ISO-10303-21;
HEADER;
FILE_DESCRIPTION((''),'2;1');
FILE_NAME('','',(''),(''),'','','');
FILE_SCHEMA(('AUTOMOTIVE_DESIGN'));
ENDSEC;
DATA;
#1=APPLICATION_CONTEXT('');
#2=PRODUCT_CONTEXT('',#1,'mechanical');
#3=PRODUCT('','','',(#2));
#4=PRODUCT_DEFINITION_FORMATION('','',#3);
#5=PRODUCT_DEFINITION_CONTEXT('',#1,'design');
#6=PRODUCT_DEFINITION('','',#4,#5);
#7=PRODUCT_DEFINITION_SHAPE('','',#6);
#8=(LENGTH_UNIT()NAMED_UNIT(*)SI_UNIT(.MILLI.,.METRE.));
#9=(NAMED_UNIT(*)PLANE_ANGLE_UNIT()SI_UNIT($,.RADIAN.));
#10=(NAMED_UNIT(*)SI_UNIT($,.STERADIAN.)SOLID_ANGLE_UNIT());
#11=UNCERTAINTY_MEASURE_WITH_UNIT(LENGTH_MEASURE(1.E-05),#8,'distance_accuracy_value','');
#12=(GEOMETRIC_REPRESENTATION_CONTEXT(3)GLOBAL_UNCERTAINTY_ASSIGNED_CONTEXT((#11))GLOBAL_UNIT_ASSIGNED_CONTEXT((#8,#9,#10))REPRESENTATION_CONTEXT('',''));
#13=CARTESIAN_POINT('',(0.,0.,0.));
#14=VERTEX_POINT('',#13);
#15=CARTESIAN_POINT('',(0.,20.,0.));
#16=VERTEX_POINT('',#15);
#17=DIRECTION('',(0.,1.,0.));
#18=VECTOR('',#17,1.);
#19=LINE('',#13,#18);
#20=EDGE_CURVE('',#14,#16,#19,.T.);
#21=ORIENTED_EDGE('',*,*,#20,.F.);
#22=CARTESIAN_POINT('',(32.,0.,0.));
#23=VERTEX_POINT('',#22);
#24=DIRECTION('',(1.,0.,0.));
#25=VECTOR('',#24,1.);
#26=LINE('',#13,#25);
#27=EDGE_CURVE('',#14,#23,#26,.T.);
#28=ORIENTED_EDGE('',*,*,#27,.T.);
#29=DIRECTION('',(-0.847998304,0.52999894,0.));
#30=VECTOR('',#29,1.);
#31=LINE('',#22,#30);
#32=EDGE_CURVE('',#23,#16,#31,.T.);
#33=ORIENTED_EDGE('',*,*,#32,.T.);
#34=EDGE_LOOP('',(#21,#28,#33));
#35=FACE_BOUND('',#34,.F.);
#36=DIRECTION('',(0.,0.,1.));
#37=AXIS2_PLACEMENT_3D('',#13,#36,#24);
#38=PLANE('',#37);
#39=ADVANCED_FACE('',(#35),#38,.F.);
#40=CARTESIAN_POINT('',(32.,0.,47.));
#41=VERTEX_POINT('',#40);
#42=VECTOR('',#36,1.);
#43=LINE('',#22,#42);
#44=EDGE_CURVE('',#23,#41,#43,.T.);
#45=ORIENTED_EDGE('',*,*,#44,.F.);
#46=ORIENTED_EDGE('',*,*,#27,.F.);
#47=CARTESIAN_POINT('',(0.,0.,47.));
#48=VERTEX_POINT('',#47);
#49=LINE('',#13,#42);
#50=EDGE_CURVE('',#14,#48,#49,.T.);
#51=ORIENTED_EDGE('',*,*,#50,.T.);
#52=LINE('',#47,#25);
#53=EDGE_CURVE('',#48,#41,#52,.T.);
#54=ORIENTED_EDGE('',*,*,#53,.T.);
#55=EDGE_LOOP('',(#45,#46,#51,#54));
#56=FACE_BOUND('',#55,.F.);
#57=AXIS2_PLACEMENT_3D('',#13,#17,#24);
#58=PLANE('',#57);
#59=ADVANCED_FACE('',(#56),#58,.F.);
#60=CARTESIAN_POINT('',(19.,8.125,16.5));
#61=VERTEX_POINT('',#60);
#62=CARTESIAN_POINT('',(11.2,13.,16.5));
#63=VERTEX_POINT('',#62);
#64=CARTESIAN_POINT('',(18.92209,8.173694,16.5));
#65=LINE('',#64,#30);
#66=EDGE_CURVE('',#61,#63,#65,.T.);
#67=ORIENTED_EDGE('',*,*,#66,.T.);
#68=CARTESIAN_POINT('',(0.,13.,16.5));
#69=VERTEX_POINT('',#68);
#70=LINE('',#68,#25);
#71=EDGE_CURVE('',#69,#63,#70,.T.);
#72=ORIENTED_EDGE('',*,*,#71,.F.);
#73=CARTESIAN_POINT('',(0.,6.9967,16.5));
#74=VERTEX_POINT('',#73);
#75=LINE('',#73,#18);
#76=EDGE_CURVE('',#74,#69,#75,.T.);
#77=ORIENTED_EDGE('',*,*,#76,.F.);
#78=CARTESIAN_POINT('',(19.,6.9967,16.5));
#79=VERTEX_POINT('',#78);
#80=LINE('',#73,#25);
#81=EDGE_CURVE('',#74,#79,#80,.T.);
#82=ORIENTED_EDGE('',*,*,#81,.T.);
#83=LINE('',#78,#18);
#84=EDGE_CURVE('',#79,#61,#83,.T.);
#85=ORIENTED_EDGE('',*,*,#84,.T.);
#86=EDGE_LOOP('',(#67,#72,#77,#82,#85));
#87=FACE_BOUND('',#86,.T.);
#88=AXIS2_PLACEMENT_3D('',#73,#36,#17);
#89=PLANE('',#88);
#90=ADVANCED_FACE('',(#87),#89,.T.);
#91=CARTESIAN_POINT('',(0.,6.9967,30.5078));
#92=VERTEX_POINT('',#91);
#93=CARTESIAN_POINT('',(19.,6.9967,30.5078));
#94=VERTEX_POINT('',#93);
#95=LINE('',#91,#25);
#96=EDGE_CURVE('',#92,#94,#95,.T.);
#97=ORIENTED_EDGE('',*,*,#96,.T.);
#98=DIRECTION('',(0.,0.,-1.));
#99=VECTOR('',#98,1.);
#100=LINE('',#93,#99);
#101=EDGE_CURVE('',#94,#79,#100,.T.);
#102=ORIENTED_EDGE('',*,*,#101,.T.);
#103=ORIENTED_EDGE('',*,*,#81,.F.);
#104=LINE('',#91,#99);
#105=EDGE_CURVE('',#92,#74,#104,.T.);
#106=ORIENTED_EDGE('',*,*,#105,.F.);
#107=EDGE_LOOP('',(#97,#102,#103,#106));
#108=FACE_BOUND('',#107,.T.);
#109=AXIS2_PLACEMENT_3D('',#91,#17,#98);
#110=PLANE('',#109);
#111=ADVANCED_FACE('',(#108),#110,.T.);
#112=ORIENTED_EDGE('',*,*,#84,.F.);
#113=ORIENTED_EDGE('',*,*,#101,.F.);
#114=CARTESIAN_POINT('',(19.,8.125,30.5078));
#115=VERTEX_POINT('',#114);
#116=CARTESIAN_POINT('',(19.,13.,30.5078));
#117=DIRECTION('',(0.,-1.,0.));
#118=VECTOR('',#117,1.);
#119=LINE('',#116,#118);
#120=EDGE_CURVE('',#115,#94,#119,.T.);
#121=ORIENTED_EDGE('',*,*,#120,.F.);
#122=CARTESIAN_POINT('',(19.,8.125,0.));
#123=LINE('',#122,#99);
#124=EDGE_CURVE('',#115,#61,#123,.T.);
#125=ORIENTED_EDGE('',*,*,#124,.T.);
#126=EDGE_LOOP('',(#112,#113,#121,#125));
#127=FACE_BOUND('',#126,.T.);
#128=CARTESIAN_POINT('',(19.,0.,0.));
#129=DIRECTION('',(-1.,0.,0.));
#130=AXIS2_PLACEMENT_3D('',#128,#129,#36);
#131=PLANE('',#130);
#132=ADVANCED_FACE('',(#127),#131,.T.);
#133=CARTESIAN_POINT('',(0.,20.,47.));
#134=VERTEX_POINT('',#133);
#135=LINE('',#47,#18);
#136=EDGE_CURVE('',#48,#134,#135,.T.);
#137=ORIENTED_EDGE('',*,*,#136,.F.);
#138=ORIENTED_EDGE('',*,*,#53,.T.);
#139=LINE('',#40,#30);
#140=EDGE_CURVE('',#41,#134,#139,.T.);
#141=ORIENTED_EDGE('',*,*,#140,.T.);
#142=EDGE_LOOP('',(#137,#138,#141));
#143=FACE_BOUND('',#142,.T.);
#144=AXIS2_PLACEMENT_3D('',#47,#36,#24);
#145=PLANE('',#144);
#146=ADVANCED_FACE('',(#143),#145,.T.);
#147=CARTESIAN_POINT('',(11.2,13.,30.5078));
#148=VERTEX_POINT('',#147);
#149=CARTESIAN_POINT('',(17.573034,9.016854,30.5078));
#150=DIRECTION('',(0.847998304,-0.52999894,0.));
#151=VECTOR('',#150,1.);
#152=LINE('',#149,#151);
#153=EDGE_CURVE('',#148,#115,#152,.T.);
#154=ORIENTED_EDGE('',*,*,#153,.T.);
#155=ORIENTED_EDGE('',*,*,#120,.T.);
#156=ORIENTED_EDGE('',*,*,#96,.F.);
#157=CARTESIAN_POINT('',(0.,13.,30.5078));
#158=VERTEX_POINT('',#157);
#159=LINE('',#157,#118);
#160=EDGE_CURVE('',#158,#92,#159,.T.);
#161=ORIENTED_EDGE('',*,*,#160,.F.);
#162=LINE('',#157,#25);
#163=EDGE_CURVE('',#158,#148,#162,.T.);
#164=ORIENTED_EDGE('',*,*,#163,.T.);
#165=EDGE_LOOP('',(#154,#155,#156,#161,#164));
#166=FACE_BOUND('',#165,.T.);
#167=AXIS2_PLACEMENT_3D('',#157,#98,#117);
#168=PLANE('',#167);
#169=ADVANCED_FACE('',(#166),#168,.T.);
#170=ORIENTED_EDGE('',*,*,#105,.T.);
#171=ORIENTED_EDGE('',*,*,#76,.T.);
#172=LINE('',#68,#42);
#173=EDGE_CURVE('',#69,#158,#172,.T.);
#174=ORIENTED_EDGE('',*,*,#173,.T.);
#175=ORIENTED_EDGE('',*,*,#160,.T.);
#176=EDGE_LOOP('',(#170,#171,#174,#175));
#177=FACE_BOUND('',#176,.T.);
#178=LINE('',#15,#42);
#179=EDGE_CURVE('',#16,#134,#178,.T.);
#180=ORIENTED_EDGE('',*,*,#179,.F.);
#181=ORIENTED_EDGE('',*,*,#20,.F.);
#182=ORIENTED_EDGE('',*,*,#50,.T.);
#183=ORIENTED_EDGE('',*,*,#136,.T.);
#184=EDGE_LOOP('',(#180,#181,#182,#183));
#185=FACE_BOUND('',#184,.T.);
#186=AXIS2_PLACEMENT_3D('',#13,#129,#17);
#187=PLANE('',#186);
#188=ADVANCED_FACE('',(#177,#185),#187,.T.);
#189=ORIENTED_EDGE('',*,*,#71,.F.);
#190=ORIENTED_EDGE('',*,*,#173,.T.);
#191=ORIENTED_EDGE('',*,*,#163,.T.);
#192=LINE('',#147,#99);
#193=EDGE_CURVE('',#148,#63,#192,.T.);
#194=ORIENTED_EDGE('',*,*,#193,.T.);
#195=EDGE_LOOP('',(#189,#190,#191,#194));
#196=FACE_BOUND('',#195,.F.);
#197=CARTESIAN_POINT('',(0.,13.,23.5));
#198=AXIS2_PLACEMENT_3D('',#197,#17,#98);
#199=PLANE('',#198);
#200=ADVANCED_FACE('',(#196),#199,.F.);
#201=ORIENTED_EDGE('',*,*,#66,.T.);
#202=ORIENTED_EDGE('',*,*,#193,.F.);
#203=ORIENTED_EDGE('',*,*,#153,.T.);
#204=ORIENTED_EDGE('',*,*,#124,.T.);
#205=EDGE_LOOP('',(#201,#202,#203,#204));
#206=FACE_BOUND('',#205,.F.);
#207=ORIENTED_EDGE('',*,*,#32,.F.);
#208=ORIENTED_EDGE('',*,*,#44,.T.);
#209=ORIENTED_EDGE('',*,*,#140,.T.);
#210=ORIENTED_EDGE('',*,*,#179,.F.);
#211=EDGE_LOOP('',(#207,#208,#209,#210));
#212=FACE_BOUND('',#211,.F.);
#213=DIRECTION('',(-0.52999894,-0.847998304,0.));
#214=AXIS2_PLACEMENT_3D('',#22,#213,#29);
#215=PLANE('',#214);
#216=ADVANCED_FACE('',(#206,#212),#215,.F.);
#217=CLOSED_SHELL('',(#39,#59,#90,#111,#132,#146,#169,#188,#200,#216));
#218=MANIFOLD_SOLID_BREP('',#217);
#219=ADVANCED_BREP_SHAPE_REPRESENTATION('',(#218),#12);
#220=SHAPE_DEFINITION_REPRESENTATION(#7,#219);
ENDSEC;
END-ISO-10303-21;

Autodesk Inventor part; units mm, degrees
ref_plane "YZ Plane" through (0, 0, 0) normal (1, 0, 0) x (0, 1, 0)
ref_plane "XZ Plane" through (0, 0, 0) normal (0, 1, 0) x (-1, 0, 0)
ref_plane "XY Plane" through (0, 0, 0) normal (0, 0, 1) x (1, 0, 0)
sketch "Sketch1" plane through (0, 0, 0) normal (0, 0, 1) x (1, 0, 0)
  line L0 (0, 0) -> (0, 20)
  line L1 (0, 0) -> (32, 0)
  line L2 (32, 0) -> (0, 20)
  dimension "d0" = 20
  dimension "d1" = 32
extrude "Extrusion1" add sketch "Sketch1" along normal blind 47
sketch "Sketch2" plane through (0, 0, 0) normal (-1, 0, 0) x (0, 0, 1)
  line L0 (0, 0) -> (47, 0) projected
  line L1 (0, 20) -> (0, 0) projected
  line L2 (0, 0) -> (0, 20)
  line L3 (0, 20) -> (47, 20) projected
  line L4 (0, 20) -> (47, 20)
  line L5 (23.5, 13) -> (16.5, 13)
  line L6 (16.5, 13) -> (30.5078, 13)
  line L7 (30.5078, 13) -> (30.5078, 6.9967)
  line L8 (30.5078, 6.9967) -> (16.5, 6.9967)
  line L9 (16.5, 6.9967) -> (16.5, 13)
  dimension "d5" = 7
  dimension "d6" = 15.24
extrude "Extrusion2" cut sketch "Sketch2" against normal blind 19
properties part number "mouseBottom"
